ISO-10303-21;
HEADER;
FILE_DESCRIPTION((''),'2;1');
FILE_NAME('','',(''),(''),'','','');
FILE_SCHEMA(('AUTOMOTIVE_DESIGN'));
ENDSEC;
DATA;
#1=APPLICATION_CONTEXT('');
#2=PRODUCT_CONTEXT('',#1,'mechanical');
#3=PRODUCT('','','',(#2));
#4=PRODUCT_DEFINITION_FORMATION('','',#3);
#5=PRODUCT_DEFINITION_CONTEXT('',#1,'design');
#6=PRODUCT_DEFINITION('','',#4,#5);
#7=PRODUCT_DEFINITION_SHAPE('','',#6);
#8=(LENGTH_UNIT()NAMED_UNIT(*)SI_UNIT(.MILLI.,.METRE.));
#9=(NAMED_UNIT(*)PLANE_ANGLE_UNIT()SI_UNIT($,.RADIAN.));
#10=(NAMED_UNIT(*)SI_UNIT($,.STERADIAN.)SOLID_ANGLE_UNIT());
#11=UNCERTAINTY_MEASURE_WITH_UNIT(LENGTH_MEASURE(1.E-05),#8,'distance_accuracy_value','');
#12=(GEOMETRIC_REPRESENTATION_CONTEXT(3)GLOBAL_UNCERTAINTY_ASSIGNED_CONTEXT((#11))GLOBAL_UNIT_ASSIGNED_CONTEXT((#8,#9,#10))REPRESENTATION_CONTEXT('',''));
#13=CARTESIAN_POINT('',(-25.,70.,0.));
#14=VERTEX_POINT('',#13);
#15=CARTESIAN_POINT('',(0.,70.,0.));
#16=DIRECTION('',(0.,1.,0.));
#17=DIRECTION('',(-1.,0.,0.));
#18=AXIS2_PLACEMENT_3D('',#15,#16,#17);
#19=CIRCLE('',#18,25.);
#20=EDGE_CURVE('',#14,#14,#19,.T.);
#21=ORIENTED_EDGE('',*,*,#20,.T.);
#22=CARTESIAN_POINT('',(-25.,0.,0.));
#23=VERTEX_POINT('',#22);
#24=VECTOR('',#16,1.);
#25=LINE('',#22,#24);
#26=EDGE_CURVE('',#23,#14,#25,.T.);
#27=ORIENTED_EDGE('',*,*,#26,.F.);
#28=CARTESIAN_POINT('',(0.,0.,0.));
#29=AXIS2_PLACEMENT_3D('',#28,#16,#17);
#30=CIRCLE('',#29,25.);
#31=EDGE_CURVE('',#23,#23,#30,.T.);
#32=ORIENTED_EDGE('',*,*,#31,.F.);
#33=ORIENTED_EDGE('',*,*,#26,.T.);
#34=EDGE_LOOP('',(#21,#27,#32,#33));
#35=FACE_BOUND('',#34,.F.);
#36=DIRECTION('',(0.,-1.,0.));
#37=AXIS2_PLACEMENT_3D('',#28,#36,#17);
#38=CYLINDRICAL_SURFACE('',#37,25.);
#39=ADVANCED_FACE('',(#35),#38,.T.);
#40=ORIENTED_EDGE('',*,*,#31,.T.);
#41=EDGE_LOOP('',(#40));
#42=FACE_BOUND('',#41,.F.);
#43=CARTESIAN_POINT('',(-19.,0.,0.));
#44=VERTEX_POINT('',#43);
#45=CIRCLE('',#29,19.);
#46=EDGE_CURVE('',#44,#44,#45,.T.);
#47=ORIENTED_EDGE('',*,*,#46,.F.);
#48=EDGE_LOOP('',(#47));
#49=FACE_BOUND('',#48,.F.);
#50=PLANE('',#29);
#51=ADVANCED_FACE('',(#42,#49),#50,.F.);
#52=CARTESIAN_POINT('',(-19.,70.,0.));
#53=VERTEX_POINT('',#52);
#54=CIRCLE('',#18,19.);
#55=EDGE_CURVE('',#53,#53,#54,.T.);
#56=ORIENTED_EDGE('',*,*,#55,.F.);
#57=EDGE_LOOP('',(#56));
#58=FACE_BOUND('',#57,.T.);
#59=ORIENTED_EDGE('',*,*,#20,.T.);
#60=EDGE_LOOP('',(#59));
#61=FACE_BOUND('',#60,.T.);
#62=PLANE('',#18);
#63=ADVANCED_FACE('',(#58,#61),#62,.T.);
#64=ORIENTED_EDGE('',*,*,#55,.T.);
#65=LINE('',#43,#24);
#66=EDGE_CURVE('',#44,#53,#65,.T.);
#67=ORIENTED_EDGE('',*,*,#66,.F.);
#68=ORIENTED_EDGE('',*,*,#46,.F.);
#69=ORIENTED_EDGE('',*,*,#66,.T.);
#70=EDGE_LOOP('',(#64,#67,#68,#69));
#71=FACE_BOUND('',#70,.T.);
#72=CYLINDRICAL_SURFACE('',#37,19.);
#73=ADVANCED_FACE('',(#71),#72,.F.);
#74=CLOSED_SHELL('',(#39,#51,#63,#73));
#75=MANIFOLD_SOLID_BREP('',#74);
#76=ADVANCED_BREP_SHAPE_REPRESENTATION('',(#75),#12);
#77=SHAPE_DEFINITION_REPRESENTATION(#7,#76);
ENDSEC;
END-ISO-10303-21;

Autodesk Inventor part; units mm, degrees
ref_plane "YZ Plane" through (0, 0, 0) normal (1, 0, 0) x (0, 1, 0)
ref_plane "XZ Plane" through (0, 0, 0) normal (0, 1, 0) x (-1, 0, 0)
ref_plane "XY Plane" through (0, 0, 0) normal (0, 0, 1) x (1, 0, 0)
sketch "Sketch1" plane through (0, 0, 0) normal (0, 1, 0) x (-1, 0, 0)
  circle A0 centre (0, 0) radius 25
  circle A1 centre (0, 0) radius 19
  dimension "d0" = 50
  dimension "d1" = 38
extrude "Extrusion1" add sketch "Sketch1" along normal blind 70
properties part number "tube" material "Steel, Mild, Welded"
